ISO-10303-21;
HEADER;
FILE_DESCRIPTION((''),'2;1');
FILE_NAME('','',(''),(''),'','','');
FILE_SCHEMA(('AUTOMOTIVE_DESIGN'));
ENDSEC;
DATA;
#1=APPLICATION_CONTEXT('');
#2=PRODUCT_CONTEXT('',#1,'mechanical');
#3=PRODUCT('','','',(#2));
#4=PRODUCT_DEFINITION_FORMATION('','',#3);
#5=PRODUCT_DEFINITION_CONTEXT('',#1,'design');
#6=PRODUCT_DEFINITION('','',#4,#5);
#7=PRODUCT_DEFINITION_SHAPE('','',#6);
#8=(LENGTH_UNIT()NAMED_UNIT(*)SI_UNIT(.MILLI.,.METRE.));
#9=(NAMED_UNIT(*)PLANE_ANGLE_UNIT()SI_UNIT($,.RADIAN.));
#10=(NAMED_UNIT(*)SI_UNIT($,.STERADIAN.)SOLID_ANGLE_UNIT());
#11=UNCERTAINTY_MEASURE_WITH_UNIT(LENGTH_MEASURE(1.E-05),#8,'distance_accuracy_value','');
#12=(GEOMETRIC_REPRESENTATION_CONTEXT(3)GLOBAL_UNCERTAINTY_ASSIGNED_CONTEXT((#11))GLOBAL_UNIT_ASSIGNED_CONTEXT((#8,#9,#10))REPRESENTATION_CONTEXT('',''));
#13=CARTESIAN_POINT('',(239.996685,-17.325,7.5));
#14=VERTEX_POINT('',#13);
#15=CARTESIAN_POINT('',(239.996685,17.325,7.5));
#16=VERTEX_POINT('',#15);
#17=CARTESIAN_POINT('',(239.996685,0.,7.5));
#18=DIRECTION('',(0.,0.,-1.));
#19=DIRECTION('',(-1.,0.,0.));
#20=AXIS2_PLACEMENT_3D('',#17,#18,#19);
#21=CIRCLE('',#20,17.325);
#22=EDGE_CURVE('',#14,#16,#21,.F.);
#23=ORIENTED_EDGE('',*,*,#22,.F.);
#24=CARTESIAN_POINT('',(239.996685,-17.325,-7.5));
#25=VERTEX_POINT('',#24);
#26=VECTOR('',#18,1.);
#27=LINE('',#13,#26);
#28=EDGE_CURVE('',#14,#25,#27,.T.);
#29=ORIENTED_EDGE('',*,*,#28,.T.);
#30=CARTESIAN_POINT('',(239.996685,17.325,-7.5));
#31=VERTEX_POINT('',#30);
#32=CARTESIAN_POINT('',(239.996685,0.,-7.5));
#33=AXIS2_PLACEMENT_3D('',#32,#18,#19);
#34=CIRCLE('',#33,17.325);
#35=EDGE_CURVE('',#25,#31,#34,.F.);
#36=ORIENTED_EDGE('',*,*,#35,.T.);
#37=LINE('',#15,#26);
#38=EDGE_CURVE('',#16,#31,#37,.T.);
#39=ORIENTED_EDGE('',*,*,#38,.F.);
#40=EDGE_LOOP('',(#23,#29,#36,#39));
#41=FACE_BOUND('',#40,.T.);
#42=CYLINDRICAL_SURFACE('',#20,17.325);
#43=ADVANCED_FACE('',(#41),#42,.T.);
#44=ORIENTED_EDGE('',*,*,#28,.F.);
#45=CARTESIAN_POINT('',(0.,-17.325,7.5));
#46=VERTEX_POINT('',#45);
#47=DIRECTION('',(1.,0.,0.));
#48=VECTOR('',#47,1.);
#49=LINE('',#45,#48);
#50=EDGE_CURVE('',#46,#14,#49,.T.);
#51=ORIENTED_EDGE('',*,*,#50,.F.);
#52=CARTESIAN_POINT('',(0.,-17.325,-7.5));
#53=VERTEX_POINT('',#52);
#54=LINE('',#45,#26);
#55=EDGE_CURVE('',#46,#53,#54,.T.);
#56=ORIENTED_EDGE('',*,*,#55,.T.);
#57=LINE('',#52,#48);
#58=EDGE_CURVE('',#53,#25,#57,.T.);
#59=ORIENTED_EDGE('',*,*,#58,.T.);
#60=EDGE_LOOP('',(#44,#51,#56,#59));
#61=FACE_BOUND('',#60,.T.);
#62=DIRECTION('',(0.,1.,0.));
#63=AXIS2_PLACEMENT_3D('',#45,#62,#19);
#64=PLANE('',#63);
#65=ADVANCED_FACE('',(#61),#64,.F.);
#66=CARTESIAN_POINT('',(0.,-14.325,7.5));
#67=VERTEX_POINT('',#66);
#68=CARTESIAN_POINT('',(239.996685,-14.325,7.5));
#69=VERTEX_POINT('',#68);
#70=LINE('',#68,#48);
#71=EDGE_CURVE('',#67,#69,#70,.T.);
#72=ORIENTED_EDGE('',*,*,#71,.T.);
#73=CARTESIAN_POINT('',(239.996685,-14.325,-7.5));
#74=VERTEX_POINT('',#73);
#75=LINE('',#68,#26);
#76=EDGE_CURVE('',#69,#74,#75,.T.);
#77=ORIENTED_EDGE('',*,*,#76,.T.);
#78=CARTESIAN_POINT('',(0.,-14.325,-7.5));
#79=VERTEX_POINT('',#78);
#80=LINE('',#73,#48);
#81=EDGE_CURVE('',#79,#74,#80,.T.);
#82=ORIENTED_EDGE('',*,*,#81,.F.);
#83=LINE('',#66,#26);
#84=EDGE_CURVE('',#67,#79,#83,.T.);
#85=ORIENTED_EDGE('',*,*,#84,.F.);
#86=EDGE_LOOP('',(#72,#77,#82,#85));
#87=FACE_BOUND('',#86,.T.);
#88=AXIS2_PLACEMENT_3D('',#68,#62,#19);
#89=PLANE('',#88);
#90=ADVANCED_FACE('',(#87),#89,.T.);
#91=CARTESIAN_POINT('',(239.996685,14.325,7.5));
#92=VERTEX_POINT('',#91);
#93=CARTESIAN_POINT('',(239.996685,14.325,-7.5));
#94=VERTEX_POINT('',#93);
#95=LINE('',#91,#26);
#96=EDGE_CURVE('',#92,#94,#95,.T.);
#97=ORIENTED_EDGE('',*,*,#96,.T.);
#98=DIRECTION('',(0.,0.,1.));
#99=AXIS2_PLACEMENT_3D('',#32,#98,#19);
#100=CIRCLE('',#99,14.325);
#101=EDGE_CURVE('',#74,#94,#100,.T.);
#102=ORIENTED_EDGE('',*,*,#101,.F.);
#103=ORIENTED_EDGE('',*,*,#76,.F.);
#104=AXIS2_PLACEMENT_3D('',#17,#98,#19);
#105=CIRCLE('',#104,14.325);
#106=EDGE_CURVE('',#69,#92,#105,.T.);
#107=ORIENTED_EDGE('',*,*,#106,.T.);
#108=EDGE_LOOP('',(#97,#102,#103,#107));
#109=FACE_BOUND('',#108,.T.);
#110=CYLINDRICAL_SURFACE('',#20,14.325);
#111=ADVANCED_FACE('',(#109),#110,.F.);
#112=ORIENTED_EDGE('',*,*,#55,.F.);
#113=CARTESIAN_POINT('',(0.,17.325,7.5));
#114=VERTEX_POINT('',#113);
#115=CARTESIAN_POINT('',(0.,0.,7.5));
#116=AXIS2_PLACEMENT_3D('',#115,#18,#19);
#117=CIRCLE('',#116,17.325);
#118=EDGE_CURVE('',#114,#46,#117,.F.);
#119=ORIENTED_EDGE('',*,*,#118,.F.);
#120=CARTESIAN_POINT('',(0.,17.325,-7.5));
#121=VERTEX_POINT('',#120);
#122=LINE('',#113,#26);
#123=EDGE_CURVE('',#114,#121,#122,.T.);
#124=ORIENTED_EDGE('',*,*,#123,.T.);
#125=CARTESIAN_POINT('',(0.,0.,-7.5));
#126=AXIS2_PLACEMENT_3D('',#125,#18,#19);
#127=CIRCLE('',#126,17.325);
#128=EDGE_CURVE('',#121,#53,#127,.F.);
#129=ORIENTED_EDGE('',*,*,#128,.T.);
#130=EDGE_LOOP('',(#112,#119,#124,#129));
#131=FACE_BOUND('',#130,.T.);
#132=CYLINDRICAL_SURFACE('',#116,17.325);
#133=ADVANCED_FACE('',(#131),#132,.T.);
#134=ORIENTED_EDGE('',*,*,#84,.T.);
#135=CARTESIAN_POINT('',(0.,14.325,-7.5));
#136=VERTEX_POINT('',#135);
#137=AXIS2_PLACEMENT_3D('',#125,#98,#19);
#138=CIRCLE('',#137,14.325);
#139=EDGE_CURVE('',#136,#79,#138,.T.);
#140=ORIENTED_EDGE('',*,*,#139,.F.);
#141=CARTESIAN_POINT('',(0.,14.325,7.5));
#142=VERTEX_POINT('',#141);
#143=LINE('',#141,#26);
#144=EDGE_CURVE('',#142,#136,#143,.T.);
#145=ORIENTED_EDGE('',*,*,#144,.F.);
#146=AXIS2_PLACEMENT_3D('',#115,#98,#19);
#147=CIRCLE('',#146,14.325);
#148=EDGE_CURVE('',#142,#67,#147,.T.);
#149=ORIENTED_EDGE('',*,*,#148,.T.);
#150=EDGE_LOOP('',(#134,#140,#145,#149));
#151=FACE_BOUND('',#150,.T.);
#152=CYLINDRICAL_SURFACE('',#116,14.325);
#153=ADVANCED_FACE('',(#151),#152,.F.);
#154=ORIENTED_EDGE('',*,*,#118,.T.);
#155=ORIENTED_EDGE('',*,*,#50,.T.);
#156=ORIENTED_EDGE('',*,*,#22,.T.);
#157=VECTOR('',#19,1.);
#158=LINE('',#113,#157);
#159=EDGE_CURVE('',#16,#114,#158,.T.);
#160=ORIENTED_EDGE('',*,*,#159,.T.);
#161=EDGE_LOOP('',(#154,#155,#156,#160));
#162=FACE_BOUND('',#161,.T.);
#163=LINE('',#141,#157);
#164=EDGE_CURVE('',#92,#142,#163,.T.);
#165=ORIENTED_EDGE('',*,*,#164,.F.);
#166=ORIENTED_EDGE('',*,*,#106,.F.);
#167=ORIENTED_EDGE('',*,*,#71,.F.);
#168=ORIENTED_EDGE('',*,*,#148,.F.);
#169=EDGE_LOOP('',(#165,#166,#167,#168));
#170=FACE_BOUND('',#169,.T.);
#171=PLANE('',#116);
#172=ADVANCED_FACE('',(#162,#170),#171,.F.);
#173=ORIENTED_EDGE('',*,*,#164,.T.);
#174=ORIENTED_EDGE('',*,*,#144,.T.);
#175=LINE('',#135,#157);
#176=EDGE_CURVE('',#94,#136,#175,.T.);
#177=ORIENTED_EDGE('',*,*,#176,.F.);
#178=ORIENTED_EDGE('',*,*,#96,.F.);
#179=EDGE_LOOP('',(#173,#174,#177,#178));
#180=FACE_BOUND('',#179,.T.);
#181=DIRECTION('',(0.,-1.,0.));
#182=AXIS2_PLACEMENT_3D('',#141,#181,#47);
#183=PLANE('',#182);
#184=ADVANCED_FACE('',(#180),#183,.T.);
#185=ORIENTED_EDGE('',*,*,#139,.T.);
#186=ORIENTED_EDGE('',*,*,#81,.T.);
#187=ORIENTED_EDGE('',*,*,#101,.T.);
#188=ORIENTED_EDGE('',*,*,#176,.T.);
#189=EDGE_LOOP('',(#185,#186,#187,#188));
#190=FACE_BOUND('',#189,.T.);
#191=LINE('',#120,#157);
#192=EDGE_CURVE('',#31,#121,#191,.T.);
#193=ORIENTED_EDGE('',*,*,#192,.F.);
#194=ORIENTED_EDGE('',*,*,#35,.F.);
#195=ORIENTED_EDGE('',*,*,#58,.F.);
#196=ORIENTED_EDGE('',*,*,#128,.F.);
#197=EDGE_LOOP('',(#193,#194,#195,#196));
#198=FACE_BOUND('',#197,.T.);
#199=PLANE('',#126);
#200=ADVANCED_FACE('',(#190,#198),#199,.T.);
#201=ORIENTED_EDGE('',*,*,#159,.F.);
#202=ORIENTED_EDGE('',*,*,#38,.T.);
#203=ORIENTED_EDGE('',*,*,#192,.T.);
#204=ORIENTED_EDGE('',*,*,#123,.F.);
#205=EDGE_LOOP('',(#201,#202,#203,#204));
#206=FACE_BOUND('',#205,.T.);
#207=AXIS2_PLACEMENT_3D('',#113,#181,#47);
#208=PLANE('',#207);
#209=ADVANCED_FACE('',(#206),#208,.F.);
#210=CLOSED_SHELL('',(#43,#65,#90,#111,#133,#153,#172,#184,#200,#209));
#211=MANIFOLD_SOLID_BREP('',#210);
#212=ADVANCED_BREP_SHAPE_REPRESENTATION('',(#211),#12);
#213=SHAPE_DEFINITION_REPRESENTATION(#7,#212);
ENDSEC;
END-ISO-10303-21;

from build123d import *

# Parameters (mm, degrees)
EXTRUDE_THIN1_DEPTH = 7.5


with BuildPart() as part:
    # Sketch2 → Extrude-Thin1 (new, symmetric)
    with BuildSketch(Plane.XY):
        with BuildLine():
            Line((239.996685237, -17.325), (0, -17.325))
            ThreePointArc((0, -17.325), (-17.325, 0), (0, 17.325))
            Line((0, 17.325), (239.996685237, 17.325))
            ThreePointArc((239.996685237, 17.325), (257.321685237, 0), (239.996685237, -17.325))
        make_face()
        with BuildLine():
            Line((239.996685237, -14.325), (0, -14.325))
            ThreePointArc((0, -14.325), (-14.325, 0), (0, 14.325))
            Line((0, 14.325), (239.996685237, 14.325))
            ThreePointArc((239.996685237, 14.325), (254.321685237, 0), (239.996685237, -14.325))
        make_face(mode=Mode.SUBTRACT)
    extrude(amount=EXTRUDE_THIN1_DEPTH, both=True)


solid = part.part
